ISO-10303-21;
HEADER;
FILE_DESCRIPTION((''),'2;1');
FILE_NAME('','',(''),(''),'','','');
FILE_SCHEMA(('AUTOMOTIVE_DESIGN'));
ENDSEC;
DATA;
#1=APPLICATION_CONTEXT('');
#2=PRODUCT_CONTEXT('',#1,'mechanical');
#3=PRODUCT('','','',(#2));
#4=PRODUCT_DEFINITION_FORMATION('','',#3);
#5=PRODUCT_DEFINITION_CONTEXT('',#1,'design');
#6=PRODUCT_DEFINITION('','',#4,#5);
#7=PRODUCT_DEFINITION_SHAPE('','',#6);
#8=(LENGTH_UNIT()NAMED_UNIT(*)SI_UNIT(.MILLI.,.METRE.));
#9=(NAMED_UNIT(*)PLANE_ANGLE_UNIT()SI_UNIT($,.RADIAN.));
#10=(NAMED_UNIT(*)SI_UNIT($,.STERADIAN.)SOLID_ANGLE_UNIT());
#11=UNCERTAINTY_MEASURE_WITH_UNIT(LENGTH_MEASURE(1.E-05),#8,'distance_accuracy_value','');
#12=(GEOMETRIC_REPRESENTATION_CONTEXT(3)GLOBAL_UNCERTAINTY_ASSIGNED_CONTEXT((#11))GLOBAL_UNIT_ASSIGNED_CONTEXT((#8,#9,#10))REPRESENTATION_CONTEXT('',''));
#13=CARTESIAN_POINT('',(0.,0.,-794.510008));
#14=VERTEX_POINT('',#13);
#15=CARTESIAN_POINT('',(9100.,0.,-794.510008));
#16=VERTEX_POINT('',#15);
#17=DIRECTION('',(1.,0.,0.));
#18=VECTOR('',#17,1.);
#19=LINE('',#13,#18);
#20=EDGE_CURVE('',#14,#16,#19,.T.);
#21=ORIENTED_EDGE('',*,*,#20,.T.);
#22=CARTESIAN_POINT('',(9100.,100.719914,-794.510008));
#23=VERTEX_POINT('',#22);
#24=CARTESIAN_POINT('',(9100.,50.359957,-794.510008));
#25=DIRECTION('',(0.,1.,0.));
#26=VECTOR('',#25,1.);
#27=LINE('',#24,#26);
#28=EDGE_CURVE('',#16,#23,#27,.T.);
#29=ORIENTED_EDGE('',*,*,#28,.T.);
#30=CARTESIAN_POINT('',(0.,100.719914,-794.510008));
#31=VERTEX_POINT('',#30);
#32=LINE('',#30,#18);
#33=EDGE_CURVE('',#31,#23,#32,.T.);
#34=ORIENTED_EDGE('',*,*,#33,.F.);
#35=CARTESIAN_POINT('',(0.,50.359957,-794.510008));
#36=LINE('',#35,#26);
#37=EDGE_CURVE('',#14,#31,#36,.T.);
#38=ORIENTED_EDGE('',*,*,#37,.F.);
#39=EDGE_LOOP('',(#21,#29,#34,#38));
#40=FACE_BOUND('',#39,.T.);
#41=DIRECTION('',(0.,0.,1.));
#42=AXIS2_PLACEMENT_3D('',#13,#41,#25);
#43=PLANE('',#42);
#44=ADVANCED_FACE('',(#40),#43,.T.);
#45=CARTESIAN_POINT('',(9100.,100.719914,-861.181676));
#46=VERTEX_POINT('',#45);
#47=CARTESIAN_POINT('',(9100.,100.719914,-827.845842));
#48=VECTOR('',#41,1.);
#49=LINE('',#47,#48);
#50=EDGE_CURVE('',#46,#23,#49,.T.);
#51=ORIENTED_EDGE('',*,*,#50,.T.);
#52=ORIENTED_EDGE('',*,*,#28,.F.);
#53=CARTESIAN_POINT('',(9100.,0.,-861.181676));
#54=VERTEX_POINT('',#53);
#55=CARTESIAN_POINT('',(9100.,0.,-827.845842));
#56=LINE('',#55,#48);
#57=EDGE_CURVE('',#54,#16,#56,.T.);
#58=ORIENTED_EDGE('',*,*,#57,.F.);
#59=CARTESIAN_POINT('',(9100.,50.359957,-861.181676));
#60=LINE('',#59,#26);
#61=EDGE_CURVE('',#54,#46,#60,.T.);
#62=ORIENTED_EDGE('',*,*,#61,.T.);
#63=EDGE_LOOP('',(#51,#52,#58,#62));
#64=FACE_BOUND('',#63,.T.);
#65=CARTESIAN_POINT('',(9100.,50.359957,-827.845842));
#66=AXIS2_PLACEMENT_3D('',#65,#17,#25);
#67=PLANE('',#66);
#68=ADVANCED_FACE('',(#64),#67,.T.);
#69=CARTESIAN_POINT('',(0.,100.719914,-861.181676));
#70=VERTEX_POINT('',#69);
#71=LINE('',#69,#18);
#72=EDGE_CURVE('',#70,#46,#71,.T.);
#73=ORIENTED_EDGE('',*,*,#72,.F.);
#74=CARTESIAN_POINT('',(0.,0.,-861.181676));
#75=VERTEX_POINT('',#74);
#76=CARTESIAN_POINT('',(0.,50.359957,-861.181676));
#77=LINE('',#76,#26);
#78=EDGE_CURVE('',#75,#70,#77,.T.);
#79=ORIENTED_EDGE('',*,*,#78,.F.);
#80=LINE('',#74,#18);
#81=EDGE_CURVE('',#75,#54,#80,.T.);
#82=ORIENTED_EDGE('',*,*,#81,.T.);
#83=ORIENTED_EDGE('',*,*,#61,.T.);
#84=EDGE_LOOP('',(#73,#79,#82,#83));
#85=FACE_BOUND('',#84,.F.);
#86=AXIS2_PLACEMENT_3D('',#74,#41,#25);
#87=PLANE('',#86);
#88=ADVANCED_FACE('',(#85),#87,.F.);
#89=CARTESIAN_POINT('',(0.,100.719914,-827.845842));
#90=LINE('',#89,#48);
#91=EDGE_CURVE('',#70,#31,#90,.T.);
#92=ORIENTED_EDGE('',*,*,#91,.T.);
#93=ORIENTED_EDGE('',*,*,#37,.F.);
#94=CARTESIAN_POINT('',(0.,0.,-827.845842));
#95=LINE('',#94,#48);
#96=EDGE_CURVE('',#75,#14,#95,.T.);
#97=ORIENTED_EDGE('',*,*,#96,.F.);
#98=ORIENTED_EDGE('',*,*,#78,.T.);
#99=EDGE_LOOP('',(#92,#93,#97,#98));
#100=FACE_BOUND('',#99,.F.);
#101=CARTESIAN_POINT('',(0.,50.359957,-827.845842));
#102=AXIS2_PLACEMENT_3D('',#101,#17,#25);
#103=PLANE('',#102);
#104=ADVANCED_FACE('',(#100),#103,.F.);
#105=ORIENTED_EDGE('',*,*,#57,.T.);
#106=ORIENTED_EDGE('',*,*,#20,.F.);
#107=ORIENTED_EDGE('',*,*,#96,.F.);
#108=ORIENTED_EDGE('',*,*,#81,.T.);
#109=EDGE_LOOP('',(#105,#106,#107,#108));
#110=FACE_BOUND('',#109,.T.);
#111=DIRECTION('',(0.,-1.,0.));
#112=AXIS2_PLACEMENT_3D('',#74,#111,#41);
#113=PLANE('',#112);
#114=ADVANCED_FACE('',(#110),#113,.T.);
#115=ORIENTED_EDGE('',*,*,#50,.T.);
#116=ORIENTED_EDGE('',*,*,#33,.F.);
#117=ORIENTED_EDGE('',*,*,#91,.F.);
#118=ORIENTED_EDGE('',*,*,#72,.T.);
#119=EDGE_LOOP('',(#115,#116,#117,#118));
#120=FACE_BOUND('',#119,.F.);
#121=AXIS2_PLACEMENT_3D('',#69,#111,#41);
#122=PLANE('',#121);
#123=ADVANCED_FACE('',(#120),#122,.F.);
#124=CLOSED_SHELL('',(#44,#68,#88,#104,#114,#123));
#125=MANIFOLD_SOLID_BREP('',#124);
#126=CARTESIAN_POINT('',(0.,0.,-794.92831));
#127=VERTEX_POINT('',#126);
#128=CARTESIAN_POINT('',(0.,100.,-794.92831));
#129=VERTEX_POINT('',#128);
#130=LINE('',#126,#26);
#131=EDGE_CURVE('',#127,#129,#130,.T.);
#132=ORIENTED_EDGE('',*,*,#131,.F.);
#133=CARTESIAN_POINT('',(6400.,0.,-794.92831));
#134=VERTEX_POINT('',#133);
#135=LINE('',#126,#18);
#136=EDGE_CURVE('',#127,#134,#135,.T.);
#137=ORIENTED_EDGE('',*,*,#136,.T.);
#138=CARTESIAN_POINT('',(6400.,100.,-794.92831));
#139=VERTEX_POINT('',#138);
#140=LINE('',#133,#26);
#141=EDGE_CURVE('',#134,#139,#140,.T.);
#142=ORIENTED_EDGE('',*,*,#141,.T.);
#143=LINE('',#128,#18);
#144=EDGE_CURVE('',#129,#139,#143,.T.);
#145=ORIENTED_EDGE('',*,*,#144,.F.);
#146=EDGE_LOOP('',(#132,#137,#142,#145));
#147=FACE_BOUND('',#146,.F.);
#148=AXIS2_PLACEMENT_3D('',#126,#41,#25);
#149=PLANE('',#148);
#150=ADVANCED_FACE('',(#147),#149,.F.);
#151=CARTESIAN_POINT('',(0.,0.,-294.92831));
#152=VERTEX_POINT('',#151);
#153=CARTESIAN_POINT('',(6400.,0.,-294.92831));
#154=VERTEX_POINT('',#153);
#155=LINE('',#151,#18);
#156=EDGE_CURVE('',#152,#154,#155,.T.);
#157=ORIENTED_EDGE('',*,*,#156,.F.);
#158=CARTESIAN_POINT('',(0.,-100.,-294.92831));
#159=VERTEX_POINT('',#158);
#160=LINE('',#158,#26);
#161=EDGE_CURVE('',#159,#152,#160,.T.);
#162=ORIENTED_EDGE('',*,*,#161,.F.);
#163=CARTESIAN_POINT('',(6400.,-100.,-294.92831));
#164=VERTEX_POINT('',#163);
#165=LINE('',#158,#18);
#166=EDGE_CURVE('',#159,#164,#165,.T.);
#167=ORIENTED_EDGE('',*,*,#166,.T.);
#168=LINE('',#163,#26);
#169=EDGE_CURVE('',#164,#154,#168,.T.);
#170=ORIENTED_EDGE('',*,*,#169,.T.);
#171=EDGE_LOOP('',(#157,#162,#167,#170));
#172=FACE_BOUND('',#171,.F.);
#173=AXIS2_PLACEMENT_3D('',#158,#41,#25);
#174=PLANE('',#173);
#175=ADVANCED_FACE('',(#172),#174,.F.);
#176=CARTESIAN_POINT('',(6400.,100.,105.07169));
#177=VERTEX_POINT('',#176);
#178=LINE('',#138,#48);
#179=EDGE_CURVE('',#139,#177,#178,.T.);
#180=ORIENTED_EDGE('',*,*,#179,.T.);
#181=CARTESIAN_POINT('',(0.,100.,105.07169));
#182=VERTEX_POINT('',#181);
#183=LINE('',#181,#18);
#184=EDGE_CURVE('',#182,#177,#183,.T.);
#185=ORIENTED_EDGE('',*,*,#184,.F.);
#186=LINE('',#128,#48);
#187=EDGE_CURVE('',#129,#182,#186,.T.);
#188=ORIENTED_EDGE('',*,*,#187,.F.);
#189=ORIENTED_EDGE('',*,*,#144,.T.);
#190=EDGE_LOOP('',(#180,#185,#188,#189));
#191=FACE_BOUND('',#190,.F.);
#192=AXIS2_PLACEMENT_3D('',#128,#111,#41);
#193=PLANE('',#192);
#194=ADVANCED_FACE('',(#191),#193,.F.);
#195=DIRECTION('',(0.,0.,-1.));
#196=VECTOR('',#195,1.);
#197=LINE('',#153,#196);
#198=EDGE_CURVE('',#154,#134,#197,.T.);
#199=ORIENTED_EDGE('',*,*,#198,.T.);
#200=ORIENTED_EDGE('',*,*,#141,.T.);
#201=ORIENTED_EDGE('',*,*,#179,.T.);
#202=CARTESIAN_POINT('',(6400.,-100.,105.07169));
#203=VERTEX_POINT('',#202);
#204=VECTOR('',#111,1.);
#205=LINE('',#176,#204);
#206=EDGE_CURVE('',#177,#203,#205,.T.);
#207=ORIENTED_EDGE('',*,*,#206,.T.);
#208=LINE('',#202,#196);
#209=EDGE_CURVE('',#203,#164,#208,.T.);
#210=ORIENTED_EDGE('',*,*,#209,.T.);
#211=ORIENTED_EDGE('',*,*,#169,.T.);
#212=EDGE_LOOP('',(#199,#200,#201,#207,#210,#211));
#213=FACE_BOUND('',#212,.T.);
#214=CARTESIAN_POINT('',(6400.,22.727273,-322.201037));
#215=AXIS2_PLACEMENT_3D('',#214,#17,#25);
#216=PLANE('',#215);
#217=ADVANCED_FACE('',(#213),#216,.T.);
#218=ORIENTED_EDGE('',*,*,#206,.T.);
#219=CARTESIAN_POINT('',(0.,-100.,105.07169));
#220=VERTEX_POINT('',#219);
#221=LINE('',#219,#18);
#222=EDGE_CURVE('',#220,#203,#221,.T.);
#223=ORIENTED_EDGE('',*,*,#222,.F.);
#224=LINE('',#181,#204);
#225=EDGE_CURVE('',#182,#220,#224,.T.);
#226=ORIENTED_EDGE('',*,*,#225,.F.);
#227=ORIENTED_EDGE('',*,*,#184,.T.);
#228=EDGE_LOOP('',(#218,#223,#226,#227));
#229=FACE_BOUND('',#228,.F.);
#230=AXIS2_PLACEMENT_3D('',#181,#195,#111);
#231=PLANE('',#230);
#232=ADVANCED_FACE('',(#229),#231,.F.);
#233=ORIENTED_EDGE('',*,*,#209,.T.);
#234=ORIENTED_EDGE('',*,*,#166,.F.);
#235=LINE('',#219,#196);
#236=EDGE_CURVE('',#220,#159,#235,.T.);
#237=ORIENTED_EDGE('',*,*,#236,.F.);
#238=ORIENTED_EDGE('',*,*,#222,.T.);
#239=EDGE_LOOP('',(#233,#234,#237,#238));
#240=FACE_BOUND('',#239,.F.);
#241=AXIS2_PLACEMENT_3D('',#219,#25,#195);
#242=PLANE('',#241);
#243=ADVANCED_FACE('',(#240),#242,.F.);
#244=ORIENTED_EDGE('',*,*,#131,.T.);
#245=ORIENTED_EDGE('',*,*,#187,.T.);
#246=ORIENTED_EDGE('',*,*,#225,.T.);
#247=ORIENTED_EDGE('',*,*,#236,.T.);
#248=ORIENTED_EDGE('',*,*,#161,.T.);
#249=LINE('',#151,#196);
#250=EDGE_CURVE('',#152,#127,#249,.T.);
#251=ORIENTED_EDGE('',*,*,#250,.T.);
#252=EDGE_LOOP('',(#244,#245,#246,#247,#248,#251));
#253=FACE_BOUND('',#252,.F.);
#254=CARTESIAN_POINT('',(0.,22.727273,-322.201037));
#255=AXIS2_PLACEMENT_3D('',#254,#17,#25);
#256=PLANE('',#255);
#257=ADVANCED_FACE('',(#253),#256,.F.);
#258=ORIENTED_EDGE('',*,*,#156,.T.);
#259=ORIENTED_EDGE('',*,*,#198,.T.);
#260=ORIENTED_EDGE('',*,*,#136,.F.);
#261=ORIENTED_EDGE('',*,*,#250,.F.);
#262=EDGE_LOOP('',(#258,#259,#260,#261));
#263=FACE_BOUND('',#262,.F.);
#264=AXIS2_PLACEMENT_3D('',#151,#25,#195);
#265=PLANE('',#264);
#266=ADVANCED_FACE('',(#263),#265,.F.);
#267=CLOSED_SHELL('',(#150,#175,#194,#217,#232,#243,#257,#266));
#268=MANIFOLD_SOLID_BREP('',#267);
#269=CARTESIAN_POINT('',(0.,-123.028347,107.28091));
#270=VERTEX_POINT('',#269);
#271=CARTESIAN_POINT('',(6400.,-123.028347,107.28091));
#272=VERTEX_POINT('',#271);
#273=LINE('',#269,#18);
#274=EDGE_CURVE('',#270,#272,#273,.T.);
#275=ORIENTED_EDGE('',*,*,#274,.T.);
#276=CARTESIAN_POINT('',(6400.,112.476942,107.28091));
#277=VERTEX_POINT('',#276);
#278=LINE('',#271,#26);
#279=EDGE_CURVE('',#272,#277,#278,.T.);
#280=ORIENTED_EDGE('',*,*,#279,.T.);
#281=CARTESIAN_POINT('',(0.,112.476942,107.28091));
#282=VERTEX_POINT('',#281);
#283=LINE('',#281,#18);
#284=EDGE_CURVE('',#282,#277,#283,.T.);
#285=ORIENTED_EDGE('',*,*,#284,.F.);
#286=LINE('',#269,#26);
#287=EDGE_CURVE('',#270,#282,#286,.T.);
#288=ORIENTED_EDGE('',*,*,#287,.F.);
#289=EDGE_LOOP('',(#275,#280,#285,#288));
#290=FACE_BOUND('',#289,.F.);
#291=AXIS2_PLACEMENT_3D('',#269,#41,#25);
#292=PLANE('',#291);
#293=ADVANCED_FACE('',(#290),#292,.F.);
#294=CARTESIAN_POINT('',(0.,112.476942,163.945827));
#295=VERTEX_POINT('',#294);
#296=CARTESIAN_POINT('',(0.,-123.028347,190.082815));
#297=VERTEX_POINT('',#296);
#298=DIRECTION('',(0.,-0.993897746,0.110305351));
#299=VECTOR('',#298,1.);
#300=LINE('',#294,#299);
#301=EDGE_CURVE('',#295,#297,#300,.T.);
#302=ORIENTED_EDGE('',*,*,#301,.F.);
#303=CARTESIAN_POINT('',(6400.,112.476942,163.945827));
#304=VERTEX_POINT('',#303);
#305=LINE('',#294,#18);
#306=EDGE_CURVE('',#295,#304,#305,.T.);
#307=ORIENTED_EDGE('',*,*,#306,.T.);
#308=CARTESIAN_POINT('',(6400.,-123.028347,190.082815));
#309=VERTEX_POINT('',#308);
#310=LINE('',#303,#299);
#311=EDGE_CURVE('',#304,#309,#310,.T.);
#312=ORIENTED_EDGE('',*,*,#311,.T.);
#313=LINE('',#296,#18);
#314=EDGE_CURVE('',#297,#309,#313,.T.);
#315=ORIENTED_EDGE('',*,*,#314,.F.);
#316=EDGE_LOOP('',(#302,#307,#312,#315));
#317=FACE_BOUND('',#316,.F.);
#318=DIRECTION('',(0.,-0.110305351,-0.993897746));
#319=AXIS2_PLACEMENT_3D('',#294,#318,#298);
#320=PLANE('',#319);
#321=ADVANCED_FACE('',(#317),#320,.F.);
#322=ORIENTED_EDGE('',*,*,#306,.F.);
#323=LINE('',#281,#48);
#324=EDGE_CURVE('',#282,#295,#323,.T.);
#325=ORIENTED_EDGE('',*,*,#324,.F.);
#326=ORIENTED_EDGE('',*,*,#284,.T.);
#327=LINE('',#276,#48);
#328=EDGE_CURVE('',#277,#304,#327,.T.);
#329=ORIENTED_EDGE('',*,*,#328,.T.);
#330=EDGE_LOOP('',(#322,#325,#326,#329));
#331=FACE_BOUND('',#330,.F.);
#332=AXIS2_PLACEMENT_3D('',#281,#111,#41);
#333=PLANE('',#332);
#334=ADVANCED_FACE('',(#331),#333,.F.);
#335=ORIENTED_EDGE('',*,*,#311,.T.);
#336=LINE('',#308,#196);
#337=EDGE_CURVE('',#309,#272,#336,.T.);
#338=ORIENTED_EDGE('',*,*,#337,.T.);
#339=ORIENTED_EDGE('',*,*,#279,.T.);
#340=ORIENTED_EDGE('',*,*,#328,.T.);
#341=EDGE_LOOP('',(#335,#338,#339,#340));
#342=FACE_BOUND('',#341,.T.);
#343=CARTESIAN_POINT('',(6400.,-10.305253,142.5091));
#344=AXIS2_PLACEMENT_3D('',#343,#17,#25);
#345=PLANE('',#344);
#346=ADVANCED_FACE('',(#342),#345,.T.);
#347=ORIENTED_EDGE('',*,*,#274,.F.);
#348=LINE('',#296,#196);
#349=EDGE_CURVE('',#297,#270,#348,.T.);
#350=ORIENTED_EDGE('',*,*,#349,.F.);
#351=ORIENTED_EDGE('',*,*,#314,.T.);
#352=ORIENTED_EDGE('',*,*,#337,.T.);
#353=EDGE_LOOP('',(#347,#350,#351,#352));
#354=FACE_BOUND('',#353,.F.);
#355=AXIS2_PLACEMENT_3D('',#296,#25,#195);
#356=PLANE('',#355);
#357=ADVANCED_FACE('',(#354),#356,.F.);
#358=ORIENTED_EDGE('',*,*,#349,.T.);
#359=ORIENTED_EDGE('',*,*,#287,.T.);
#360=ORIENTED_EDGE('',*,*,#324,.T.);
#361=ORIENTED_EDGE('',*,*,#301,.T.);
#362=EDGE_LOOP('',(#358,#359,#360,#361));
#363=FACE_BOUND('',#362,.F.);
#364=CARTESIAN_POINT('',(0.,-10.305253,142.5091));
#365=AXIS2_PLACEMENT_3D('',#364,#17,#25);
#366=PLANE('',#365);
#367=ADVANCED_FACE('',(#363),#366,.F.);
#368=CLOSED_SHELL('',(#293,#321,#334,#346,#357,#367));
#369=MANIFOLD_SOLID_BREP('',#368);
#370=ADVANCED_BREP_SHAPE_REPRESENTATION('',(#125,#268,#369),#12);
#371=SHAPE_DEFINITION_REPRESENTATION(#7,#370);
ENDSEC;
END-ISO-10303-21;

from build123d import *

# Parameters (mm, degrees)
F3_DEPTH = 6400
F4_DEPTH = 6400
F2_W     = 100.719914
F2_H     = 66.671669
F5_DEPTH = 9100


with BuildPart() as f3:
    # F0 (on Right) → F3 (new body)
    with BuildSketch(Plane.YZ):
        Polygon((-100, 105.07169), (-100, -294.92831), (0, -294.92831), (0, -794.92831), (100, -794.92831), (100, -294.92831), (100, 105.07169), align=None)
    extrude(amount=F3_DEPTH)


with BuildPart() as f4:
    # F1 (on Right) → F4 (new body)
    with BuildSketch(Plane.YZ):
        Polygon((-123.028347, 190.082815), (-123.028347, 107.28091), (112.476942, 107.28091), (112.476942, 163.945827), align=None)
    extrude(amount=F4_DEPTH)


with BuildPart() as f5:
    # F2 (on Right) → F5 (new body)
    with BuildSketch(Plane.YZ):
        with Locations((50.359957, -827.845842)):
            Rectangle(F2_W, F2_H)
    extrude(amount=F5_DEPTH)


solid = Compound([f3.part, f4.part, f5.part])
